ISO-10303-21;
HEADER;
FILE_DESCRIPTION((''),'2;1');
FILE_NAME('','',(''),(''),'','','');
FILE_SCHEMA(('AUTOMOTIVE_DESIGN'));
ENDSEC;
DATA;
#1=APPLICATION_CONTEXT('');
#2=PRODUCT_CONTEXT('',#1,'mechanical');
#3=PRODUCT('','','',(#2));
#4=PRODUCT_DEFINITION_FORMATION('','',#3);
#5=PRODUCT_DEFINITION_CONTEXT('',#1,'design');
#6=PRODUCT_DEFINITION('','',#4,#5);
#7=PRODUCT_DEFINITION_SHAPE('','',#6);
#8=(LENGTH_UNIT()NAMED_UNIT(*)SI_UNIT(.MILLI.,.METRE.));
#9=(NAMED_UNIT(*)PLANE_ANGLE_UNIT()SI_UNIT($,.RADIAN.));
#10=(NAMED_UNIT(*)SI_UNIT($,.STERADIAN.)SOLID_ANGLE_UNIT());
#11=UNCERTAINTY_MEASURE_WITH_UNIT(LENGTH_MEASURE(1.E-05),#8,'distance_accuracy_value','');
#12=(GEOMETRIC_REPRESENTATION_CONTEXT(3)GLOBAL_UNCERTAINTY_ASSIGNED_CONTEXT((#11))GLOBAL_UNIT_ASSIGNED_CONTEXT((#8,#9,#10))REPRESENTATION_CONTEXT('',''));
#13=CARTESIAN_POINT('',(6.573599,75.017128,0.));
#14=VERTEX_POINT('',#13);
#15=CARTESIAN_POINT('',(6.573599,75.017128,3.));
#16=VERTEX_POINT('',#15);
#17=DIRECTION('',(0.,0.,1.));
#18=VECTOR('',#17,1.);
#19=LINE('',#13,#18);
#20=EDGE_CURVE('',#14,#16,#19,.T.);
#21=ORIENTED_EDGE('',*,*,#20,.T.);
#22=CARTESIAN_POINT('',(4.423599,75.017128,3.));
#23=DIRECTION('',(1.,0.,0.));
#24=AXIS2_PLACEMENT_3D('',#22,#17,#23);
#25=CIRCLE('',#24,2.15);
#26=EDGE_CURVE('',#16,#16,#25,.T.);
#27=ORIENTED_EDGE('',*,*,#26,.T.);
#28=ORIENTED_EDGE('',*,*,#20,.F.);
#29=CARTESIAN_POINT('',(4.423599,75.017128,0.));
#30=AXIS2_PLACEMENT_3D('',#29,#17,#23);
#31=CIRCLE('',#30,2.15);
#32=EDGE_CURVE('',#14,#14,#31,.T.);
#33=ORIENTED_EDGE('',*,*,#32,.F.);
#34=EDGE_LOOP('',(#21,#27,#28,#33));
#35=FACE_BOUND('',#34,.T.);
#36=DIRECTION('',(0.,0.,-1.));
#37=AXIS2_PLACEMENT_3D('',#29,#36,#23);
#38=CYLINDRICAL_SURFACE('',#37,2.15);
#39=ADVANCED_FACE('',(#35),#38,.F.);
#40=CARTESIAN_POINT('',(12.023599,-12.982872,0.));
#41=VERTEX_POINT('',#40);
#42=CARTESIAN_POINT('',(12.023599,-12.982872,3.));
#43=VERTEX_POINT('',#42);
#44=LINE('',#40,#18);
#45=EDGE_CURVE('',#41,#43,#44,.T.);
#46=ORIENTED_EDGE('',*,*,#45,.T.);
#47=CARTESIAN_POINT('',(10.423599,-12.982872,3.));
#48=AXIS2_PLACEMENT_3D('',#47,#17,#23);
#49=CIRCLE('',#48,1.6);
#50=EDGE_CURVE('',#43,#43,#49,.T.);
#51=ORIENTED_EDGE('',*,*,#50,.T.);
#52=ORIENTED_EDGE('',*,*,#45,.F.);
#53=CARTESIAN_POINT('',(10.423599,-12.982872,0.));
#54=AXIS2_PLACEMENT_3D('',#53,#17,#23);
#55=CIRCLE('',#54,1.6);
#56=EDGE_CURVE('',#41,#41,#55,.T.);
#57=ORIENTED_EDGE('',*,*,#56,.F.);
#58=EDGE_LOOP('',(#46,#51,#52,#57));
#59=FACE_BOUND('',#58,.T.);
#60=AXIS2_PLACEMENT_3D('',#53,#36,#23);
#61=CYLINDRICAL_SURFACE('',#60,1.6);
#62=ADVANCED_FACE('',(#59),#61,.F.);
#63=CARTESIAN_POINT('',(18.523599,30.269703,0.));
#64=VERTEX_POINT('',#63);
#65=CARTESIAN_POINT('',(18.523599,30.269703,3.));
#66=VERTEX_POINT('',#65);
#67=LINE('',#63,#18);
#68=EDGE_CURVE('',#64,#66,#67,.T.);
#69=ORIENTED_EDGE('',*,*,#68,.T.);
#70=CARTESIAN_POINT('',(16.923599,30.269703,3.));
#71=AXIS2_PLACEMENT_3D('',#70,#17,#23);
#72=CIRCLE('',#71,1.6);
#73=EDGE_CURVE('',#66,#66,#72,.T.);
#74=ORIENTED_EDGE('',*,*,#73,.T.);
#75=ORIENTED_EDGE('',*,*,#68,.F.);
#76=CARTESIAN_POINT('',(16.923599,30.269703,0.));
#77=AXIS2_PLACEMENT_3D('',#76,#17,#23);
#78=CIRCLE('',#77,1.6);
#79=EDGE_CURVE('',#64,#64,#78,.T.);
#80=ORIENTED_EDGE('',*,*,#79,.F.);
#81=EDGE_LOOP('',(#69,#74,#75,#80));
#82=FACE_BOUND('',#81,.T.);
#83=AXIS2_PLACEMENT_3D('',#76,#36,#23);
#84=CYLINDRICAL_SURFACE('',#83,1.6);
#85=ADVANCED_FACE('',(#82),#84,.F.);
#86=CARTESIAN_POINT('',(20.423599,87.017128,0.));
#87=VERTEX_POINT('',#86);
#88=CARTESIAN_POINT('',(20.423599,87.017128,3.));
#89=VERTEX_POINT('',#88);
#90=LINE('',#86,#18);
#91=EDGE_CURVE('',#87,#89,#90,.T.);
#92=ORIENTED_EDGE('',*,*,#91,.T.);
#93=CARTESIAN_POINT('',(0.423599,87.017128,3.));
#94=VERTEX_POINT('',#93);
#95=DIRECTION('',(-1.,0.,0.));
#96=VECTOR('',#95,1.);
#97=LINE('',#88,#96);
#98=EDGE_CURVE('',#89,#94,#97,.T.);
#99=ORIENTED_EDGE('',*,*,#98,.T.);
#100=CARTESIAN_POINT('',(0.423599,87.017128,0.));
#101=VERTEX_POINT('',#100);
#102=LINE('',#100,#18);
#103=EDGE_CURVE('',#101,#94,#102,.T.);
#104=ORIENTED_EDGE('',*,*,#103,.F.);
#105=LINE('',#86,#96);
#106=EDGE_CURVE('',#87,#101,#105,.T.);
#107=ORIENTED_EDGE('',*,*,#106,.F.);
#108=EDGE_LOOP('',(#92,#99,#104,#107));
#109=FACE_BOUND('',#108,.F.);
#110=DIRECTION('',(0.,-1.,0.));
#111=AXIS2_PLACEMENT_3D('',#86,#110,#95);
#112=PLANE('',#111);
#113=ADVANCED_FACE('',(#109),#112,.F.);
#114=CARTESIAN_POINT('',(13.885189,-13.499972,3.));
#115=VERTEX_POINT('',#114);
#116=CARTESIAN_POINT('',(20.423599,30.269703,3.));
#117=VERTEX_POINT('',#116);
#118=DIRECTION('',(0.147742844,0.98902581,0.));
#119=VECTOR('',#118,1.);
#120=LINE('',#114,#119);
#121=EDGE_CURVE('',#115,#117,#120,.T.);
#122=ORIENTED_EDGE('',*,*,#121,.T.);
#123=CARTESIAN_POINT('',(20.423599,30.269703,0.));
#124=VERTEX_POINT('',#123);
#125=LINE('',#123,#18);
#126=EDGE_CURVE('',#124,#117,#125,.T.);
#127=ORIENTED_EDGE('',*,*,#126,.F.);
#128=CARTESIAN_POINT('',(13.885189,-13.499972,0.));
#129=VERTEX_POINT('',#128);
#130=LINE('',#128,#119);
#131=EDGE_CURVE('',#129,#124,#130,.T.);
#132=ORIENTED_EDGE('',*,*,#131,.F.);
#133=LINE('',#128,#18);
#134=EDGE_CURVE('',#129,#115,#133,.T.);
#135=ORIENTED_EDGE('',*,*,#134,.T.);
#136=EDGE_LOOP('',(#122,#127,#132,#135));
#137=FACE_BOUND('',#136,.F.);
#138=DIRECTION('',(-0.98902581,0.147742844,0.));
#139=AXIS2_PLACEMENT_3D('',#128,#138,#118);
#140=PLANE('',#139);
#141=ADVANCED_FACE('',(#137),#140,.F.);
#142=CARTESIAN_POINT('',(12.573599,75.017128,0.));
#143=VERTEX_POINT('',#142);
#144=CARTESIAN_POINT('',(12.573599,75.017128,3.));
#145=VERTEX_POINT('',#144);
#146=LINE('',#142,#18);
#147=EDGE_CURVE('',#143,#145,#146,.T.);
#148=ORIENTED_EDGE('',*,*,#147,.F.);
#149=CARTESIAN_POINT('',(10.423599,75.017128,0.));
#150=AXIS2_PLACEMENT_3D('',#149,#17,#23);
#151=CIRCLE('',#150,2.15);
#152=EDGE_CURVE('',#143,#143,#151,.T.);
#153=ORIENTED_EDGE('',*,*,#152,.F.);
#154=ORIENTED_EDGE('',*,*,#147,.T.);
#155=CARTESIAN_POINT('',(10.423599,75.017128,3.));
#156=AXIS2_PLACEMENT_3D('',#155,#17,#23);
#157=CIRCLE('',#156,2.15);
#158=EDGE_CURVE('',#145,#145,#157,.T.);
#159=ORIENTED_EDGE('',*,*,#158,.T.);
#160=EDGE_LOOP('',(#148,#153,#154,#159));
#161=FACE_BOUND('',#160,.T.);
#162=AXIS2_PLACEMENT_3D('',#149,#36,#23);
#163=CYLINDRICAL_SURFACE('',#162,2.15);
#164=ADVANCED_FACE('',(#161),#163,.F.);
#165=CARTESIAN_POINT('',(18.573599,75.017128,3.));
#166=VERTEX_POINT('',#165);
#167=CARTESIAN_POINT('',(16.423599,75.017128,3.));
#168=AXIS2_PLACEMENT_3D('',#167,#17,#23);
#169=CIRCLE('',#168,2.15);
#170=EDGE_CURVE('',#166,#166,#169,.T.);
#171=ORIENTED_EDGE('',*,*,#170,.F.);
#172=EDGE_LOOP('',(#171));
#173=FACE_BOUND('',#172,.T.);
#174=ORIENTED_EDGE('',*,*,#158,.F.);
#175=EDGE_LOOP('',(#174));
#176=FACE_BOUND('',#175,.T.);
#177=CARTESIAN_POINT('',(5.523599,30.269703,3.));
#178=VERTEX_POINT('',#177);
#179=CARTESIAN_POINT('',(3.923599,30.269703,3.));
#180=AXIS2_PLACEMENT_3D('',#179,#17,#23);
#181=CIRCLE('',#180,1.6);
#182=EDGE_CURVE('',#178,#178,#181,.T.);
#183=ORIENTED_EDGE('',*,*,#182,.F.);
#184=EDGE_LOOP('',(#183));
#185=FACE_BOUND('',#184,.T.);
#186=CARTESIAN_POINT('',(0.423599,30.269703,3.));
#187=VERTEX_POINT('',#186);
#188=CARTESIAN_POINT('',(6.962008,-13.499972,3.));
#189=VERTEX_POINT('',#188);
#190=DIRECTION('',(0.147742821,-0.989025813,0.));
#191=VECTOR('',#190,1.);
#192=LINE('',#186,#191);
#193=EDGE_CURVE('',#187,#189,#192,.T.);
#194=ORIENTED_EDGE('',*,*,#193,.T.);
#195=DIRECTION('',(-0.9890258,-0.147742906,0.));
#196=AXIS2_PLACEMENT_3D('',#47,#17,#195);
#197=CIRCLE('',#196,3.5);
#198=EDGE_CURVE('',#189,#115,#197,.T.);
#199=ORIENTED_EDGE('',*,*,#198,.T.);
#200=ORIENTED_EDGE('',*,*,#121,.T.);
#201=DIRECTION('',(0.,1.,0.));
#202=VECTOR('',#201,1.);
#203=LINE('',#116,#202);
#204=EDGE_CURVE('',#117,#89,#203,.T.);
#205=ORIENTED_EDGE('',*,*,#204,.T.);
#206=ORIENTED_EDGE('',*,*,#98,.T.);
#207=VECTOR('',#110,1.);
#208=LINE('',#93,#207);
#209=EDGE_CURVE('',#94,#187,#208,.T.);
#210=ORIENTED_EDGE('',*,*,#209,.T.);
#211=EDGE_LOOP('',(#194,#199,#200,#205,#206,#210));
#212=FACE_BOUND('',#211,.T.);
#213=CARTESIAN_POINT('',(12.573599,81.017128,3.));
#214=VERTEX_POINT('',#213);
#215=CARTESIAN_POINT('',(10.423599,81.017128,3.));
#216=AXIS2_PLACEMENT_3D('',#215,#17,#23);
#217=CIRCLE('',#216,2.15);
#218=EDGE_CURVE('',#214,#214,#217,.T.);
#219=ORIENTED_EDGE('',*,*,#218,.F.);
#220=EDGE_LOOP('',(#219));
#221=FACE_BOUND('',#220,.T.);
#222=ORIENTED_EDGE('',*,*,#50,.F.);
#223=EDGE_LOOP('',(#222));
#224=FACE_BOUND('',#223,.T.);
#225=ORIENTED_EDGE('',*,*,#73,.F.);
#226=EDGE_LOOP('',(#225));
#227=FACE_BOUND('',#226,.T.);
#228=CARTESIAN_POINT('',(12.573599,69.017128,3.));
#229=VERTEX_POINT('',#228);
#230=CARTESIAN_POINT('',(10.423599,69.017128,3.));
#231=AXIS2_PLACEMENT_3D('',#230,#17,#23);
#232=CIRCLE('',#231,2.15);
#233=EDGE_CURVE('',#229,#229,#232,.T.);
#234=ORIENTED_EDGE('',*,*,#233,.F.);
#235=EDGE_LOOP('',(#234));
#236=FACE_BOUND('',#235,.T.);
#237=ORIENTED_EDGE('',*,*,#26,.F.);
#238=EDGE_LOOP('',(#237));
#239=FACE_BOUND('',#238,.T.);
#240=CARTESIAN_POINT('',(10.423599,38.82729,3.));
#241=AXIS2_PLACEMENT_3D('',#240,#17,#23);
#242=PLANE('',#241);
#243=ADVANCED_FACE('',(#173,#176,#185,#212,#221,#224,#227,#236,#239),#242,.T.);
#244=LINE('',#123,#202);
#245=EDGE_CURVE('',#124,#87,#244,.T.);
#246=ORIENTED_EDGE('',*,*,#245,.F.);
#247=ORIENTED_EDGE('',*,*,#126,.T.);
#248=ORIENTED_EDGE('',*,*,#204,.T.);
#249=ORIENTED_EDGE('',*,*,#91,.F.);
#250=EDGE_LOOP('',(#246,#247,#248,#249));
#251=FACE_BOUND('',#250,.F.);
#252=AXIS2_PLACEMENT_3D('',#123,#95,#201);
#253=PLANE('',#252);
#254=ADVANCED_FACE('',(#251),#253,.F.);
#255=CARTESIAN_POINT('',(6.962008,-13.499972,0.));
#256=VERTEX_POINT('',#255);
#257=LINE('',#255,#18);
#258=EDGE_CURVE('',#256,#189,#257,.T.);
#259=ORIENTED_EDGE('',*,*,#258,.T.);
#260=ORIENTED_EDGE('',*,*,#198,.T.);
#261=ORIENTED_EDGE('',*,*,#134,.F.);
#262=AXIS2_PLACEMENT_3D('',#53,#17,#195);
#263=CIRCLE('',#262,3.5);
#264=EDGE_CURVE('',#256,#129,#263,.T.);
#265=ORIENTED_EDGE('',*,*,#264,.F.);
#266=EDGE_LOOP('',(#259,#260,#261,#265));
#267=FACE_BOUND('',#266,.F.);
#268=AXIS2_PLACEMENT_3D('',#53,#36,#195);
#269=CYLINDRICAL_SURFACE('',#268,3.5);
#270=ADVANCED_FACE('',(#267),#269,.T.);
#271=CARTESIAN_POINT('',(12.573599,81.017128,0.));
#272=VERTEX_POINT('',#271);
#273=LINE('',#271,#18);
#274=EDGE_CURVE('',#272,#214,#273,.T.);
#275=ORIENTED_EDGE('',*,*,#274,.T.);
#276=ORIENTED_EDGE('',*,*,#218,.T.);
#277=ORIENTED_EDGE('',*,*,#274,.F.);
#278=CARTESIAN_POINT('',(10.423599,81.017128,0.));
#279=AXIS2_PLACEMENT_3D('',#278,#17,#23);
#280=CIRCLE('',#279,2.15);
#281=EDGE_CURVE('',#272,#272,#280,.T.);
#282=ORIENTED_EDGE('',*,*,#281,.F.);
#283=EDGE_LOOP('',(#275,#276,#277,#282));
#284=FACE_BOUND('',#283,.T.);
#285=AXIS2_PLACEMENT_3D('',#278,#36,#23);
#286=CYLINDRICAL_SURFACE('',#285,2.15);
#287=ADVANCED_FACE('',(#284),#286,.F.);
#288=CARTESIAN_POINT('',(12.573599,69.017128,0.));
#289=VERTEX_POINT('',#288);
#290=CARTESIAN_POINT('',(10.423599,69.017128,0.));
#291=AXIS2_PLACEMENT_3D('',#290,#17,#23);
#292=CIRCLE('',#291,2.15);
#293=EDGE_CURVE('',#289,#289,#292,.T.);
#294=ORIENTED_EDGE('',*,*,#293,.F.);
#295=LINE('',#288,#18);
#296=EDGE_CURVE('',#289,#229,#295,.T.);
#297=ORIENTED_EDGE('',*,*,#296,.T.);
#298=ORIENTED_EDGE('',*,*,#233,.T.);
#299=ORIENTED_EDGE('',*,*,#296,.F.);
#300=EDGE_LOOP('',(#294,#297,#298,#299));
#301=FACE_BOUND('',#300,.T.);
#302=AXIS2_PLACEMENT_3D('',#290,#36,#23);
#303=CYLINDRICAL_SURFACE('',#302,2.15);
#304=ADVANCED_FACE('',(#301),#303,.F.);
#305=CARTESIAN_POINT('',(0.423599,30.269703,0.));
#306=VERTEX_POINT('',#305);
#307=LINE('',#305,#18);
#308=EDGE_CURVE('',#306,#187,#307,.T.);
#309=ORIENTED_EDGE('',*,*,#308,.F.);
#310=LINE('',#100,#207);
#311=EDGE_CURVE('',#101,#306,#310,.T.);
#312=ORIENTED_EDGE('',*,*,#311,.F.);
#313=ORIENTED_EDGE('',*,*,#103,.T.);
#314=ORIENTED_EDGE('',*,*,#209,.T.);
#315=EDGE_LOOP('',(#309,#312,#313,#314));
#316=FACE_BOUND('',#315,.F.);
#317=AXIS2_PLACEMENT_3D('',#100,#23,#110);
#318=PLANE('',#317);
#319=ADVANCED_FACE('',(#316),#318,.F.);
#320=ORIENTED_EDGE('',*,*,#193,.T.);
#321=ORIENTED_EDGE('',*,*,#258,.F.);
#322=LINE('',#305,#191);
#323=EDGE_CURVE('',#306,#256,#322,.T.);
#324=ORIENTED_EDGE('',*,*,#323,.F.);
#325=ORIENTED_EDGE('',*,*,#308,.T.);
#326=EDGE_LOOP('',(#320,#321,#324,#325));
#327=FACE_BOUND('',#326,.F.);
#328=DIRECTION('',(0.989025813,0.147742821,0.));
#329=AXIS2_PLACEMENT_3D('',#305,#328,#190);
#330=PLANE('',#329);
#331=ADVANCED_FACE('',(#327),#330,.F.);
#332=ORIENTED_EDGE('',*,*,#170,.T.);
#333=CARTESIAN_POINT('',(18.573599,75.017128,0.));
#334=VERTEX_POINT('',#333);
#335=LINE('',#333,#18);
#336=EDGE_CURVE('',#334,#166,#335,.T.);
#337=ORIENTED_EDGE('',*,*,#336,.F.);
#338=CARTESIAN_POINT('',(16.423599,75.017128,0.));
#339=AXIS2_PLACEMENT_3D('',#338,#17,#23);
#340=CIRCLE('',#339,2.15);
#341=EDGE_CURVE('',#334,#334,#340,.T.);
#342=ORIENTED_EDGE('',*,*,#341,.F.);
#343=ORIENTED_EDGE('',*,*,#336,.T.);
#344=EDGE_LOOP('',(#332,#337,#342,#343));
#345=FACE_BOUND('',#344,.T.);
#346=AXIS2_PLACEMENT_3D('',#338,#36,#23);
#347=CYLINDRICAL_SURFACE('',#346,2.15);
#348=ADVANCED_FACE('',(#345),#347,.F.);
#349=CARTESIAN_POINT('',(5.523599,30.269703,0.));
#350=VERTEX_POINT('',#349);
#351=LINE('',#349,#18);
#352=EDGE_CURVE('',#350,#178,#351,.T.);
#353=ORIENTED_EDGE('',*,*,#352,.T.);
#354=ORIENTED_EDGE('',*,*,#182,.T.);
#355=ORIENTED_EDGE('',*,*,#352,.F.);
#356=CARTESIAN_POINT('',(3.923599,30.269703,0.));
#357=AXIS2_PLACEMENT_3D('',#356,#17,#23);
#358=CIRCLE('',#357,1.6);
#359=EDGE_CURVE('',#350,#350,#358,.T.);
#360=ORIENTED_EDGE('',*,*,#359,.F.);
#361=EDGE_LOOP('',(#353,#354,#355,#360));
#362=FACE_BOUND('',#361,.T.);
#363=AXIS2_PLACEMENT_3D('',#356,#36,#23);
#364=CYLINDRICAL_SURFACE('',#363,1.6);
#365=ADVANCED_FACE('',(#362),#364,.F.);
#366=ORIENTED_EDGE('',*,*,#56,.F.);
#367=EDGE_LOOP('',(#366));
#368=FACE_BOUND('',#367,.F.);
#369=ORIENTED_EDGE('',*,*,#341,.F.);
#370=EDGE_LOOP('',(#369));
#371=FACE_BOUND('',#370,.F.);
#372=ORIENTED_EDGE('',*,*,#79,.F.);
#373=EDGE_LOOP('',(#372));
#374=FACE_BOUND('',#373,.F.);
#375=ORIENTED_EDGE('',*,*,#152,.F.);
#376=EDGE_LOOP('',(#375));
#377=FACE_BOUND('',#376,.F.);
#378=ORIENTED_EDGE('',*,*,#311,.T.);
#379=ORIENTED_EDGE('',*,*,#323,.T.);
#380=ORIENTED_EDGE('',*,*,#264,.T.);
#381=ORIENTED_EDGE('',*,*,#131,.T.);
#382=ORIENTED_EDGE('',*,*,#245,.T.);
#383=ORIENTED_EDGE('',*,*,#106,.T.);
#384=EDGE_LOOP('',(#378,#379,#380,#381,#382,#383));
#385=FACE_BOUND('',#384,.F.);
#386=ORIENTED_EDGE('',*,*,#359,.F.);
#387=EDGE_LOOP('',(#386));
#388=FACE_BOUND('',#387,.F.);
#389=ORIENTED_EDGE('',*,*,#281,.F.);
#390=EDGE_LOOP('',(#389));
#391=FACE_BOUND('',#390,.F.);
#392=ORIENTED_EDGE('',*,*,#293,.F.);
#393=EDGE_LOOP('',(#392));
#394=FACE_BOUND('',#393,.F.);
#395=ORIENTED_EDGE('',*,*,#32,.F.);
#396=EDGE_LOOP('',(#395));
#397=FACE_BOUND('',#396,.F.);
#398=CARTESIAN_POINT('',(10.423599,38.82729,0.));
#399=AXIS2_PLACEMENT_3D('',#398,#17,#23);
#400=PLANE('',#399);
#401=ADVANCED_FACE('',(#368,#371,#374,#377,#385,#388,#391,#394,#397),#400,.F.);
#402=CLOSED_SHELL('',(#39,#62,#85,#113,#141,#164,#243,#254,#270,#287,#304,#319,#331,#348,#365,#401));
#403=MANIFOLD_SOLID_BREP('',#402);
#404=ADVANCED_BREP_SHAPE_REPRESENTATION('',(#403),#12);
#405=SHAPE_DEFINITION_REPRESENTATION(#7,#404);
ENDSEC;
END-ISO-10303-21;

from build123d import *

# Parameters (mm, degrees)
F0_R     = 1.6
F0_R_2   = 2.15
F1_DEPTH = 3


with BuildPart() as f1:
    # F0 (on Top) → F1 (new body)
    with BuildSketch(Plane.XY):
        with BuildLine():
            Line((14.027456, 87.017128), (6.813391, 87.017128))
            Line((6.813391, 87.017128), (0.423599, 87.017128))
            Line((0.423599, 87.017128), (0.423599, 53.2116))
            Line((0.423599, 53.2116), (0.423599, 30.269703))
            Line((0.423599, 30.269703), (6.962008, -13.499972))
            ThreePointArc((6.962008, -13.499972), (10.423599, -16.482872), (13.885189, -13.499972))
            Line((13.885189, -13.499972), (20.423599, 30.269703))
            Line((20.423599, 30.269703), (20.423599, 53.2116))
            Line((20.423599, 53.2116), (20.423599, 87.017128))
            Line((20.423599, 87.017128), (14.027456, 87.017128))
        make_face()
        with Locations((3.923599, 30.269703)):
            Circle(F0_R, mode=Mode.SUBTRACT)
        with Locations((10.423599, -12.982872)):
            Circle(F0_R, mode=Mode.SUBTRACT)
        with Locations((16.923599, 30.269703)):
            Circle(F0_R, mode=Mode.SUBTRACT)
        with Locations((4.423599, 75.017128)):
            Circle(F0_R_2, mode=Mode.SUBTRACT)
        with Locations((10.423599, 81.017128)):
            Circle(F0_R_2, mode=Mode.SUBTRACT)
        with Locations((10.423599, 69.017128)):
            Circle(F0_R_2, mode=Mode.SUBTRACT)
        with Locations((10.423599, 75.017128)):
            Circle(F0_R_2, mode=Mode.SUBTRACT)
        with Locations((16.423599, 75.017128)):
            Circle(F0_R_2, mode=Mode.SUBTRACT)
    extrude(amount=F1_DEPTH)


solid = f1.part
